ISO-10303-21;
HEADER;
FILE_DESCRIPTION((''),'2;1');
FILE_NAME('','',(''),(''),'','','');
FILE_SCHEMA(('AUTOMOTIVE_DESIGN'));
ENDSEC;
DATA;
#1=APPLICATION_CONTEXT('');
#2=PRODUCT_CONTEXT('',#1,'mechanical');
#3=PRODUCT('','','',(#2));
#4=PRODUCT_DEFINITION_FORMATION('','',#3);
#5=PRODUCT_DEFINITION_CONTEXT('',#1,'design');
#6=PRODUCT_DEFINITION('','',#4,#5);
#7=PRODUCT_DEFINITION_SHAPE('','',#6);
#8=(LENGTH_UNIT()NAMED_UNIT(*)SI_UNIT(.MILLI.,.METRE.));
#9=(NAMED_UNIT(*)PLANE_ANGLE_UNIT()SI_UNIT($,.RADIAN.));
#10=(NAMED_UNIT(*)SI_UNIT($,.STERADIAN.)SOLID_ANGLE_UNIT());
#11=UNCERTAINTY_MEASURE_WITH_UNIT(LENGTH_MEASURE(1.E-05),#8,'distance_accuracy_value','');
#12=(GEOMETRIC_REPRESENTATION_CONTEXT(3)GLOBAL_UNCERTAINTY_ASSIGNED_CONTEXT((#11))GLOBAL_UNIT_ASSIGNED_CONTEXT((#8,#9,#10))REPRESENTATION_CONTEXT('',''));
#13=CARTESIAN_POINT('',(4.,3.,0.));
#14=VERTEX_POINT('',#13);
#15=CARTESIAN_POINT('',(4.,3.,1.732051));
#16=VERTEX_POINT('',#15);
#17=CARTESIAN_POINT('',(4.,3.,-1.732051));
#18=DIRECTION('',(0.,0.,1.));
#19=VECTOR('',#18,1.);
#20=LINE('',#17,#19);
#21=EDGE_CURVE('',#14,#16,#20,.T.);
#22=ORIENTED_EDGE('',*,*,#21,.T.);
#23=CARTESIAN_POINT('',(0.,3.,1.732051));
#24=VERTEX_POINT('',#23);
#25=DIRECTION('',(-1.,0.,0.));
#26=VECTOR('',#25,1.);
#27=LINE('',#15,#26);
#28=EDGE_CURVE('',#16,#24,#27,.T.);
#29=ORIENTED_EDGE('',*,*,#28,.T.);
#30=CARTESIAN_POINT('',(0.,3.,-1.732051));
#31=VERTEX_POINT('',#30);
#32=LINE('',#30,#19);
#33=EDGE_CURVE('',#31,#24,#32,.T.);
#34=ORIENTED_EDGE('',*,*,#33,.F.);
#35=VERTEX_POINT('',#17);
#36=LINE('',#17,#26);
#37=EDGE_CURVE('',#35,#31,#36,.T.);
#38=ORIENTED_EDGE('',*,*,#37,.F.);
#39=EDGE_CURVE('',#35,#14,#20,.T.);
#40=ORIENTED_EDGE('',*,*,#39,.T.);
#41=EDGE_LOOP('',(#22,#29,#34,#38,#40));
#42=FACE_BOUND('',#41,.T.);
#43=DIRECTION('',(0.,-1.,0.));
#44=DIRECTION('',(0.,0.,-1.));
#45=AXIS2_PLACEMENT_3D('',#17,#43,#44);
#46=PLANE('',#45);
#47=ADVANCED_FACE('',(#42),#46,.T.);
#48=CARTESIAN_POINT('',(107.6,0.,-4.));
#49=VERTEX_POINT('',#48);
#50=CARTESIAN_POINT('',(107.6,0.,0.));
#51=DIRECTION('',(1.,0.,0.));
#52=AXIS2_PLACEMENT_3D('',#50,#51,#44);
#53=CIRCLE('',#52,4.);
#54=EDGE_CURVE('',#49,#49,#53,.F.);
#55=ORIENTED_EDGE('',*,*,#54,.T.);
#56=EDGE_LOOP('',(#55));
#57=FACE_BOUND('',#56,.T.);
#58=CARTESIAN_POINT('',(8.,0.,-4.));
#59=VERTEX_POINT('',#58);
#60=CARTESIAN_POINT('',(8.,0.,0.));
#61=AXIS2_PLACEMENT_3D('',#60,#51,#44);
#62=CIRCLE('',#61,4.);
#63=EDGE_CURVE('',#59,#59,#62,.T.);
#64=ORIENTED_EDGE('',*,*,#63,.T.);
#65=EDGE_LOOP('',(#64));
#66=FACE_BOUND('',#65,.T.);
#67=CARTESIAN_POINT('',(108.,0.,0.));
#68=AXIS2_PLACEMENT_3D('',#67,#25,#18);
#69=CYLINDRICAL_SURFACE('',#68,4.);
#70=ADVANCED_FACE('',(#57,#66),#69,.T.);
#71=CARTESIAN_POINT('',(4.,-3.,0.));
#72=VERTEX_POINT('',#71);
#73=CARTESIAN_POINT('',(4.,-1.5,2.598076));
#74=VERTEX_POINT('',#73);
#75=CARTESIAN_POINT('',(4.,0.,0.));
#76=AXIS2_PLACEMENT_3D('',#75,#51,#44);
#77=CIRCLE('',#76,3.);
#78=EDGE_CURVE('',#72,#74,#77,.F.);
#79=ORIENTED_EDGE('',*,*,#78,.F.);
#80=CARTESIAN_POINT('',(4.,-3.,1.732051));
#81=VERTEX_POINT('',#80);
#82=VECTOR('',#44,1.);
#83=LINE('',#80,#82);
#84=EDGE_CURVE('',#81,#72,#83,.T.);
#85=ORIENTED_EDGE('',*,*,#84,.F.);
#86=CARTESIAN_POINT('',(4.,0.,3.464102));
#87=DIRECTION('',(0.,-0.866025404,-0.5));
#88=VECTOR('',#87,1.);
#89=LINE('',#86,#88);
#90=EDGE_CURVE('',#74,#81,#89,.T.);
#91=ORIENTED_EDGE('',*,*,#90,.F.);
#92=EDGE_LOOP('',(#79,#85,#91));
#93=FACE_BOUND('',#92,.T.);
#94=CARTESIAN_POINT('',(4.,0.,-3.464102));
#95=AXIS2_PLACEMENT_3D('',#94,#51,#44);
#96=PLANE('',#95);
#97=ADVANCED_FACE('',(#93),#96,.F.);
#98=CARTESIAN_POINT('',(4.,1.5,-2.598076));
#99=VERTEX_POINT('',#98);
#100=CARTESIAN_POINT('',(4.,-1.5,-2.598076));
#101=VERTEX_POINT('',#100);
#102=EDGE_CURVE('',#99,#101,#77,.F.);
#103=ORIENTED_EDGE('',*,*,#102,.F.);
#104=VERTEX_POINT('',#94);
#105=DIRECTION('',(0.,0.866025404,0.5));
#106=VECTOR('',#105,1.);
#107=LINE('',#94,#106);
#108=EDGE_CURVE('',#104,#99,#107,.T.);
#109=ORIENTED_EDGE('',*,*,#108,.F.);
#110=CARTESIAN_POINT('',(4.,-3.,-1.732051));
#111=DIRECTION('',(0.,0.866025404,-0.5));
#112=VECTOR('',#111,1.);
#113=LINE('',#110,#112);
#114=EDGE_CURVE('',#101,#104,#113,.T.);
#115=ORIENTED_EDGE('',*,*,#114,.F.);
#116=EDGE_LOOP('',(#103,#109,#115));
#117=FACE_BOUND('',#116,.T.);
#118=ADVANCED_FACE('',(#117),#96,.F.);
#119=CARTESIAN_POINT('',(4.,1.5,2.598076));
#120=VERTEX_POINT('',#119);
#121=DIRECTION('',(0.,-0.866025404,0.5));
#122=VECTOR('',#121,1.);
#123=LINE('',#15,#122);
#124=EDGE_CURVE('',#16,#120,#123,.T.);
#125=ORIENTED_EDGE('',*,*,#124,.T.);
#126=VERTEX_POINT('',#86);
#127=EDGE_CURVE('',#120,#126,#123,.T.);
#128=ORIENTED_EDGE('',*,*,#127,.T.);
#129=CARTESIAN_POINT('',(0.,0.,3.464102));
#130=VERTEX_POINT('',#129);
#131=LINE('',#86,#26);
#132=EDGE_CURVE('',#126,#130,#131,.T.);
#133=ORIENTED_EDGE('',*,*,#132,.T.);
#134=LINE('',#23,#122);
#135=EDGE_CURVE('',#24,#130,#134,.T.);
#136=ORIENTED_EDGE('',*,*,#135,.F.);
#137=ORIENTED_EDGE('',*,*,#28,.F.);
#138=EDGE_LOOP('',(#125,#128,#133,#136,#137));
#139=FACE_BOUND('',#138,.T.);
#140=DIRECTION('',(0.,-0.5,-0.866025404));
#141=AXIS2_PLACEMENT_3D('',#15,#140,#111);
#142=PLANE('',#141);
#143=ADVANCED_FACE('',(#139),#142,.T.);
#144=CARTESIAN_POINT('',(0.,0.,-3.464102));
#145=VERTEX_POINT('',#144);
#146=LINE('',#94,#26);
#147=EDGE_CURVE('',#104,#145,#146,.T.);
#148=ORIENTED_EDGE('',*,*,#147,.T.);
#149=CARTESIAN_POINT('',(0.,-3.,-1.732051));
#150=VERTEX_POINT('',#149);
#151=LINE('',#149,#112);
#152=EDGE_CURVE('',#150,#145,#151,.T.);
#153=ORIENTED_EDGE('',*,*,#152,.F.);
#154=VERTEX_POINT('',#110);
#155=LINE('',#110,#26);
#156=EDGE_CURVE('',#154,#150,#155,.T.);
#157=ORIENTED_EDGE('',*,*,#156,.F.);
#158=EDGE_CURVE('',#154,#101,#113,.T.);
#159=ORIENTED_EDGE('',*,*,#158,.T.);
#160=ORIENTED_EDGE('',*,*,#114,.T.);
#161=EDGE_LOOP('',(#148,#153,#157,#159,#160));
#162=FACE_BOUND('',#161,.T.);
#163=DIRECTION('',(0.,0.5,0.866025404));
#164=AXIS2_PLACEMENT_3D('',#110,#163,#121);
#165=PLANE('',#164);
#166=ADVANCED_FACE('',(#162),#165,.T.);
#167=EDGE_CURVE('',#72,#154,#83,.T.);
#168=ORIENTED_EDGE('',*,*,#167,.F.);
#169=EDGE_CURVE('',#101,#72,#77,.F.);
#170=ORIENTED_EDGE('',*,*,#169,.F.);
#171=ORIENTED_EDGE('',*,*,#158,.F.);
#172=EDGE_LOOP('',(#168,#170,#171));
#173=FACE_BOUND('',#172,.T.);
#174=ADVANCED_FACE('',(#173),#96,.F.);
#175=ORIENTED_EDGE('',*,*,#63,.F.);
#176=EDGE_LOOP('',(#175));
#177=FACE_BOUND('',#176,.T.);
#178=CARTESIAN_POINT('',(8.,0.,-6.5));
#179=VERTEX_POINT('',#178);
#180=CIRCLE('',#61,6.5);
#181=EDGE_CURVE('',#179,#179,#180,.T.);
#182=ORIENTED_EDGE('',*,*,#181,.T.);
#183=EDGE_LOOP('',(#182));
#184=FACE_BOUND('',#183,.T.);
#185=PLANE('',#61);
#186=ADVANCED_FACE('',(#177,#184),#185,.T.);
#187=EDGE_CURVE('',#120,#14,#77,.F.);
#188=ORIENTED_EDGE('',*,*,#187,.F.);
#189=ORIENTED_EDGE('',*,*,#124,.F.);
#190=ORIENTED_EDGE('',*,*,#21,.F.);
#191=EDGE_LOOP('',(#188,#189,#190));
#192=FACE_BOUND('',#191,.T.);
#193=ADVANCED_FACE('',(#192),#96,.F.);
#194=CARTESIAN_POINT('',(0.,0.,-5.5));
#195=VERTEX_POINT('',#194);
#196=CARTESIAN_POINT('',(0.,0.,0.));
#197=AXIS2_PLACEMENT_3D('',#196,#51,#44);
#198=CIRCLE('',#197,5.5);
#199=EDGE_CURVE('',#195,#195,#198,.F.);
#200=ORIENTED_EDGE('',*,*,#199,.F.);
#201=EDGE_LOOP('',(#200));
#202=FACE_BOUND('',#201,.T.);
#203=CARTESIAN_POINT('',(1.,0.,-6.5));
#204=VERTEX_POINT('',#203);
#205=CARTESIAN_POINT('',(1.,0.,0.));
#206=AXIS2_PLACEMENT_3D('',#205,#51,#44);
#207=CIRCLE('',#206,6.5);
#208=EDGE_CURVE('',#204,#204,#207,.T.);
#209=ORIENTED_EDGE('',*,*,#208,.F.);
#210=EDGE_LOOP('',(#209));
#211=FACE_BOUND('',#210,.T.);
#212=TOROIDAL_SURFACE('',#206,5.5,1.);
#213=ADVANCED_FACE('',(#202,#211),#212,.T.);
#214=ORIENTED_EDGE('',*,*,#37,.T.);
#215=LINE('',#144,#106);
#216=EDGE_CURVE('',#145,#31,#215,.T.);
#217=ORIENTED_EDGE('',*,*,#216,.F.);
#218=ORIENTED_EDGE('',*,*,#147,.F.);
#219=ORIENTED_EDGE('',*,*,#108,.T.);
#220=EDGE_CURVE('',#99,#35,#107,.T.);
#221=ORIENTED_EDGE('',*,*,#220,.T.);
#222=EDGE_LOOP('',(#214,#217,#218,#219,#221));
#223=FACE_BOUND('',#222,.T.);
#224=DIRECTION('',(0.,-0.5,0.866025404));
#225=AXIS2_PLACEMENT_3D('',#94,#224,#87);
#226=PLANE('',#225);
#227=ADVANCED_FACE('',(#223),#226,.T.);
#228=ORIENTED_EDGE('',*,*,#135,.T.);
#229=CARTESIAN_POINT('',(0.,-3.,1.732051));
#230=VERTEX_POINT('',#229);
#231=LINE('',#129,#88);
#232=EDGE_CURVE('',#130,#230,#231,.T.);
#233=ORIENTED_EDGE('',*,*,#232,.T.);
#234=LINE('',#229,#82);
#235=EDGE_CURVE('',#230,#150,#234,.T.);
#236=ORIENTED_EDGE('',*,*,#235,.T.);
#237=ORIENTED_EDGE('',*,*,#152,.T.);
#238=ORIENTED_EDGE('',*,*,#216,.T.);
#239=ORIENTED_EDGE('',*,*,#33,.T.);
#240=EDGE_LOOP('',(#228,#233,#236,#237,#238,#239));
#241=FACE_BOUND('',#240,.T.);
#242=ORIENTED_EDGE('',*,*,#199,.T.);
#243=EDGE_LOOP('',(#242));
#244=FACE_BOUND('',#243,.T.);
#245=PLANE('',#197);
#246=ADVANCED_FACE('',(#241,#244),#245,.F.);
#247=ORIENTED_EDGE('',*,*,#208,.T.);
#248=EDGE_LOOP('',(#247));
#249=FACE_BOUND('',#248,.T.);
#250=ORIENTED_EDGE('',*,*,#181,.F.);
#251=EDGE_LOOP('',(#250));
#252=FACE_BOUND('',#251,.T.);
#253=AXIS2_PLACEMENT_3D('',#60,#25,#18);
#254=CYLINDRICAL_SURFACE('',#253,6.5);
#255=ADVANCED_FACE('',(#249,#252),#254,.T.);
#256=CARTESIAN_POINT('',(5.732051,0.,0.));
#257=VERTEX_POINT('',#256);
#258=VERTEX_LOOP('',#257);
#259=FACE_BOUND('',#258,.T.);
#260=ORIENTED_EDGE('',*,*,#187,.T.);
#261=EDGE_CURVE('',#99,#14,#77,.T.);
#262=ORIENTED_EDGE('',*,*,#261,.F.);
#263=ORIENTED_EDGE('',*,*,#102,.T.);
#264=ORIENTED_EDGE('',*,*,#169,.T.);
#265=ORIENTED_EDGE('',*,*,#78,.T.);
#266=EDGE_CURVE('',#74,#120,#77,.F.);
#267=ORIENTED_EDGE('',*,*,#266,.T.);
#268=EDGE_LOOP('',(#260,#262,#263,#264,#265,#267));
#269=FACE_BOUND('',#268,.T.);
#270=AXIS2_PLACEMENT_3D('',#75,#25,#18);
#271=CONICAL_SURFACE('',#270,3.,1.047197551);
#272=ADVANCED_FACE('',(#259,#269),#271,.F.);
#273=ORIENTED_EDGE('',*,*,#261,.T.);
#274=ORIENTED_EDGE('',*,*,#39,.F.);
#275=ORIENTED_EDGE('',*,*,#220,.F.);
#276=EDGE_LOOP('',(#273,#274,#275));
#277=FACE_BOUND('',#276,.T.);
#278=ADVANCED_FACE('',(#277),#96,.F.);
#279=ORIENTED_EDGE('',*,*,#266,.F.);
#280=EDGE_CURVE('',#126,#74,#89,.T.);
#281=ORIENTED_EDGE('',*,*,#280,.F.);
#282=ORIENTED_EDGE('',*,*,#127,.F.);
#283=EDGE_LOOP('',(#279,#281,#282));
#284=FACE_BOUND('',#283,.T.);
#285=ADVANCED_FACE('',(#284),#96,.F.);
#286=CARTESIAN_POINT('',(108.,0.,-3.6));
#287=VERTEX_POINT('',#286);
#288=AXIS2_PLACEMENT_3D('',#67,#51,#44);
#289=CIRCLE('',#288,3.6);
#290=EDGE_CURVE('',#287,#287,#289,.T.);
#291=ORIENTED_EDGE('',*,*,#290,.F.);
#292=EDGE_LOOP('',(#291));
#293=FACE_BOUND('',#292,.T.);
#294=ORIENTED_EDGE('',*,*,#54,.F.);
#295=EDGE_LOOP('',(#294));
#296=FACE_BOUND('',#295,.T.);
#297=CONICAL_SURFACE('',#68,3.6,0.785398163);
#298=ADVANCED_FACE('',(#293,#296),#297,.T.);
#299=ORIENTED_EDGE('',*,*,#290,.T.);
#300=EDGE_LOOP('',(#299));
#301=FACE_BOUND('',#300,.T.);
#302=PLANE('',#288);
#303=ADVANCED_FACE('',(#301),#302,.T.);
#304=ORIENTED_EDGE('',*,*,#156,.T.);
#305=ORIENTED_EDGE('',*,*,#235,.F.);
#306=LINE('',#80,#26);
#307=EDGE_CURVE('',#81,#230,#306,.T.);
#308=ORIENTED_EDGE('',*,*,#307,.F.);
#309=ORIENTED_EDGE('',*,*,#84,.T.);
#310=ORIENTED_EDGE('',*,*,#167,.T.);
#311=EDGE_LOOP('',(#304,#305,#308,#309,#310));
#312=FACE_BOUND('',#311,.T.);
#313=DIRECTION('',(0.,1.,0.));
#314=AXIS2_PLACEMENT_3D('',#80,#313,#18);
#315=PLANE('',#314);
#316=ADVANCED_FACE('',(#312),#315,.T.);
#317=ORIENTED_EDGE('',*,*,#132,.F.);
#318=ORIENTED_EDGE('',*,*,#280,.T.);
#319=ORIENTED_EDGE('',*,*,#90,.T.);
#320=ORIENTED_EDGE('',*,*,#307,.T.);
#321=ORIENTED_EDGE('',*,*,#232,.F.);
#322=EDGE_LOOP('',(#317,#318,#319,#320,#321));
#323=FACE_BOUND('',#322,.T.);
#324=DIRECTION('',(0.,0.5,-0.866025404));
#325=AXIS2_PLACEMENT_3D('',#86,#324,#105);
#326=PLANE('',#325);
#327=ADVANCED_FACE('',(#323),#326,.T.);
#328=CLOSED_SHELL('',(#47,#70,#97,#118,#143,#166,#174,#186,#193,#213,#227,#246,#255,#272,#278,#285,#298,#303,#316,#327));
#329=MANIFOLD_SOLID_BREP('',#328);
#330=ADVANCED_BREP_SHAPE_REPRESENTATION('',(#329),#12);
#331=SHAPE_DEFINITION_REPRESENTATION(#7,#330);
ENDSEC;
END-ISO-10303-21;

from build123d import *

# Parameters (mm, degrees)
SKETCH1_R           = 6.5
BASEHEAD_DEPTH      = 8
SKETCH2_R           = 4
BASEBODY_DEPTH      = 100
HEXAGONSOCKET_DEPTH = 4
TOPFILLET_R         = 1
CHAMFER1_SIZE       = 0.4


with BuildPart() as part:
    # Sketch1 → BaseHead (new body)
    with BuildSketch(Plane(origin=(0, 0, 0), x_dir=(0, 0, -1), z_dir=(1, 0, 0))):
        Circle(SKETCH1_R)
    extrude(amount=BASEHEAD_DEPTH)

    # Sketch2 → BaseBody (add)
    with BuildSketch(Plane(origin=(8, 0, 0), x_dir=(0, 0, -1), z_dir=(1, 0, 0))):
        Circle(SKETCH2_R)
    extrude(amount=BASEBODY_DEPTH)

    # Sketch3 → HexagonSocket (cut)
    with BuildSketch(Plane(origin=(0, 0, 0), x_dir=(0, 0, -1), z_dir=(1, 0, 0))):
        Polygon((3.464101615, 0), (1.732050808, 3), (-1.732050808, 3), (-3.464101615, 0), (-1.732050808, -3), (1.732050808, -3), align=None)
    extrude(amount=HEXAGONSOCKET_DEPTH, mode=Mode.SUBTRACT)

    # Sketch4 → Cut-Revolve1 (revolve, cut)
    with BuildSketch(Plane(origin=(-4.19613823, 0.75, 0), x_dir=(-1, 0, 0), z_dir=(0, 0, 1)), mode=Mode.PRIVATE) as cut_revolve1_sk:
        Polygon((-8.19613823, 3.75), (-9.928189037, 0.75), (-8.19613823, 0.75), align=None)
    revolve(cut_revolve1_sk.sketch.rotate(Axis((0.838992387, 0, 0), (-1, 0, 0)), 90), axis=Axis((0.838992387, 0, 0), (-1, 0, 0)), mode=Mode.SUBTRACT)

    # TopFillet
    topfillet_edges = [part.edges().sort_by_distance(p)[0] for p in [
        (0, 0, 6.5),
    ]]
    fillet(topfillet_edges, radius=TOPFILLET_R)

    # Chamfer1
    chamfer1_edges = [part.edges().sort_by_distance(p)[0] for p in [
        (108, 0, 4),
    ]]
    chamfer(chamfer1_edges, length=CHAMFER1_SIZE)


solid = part.part
